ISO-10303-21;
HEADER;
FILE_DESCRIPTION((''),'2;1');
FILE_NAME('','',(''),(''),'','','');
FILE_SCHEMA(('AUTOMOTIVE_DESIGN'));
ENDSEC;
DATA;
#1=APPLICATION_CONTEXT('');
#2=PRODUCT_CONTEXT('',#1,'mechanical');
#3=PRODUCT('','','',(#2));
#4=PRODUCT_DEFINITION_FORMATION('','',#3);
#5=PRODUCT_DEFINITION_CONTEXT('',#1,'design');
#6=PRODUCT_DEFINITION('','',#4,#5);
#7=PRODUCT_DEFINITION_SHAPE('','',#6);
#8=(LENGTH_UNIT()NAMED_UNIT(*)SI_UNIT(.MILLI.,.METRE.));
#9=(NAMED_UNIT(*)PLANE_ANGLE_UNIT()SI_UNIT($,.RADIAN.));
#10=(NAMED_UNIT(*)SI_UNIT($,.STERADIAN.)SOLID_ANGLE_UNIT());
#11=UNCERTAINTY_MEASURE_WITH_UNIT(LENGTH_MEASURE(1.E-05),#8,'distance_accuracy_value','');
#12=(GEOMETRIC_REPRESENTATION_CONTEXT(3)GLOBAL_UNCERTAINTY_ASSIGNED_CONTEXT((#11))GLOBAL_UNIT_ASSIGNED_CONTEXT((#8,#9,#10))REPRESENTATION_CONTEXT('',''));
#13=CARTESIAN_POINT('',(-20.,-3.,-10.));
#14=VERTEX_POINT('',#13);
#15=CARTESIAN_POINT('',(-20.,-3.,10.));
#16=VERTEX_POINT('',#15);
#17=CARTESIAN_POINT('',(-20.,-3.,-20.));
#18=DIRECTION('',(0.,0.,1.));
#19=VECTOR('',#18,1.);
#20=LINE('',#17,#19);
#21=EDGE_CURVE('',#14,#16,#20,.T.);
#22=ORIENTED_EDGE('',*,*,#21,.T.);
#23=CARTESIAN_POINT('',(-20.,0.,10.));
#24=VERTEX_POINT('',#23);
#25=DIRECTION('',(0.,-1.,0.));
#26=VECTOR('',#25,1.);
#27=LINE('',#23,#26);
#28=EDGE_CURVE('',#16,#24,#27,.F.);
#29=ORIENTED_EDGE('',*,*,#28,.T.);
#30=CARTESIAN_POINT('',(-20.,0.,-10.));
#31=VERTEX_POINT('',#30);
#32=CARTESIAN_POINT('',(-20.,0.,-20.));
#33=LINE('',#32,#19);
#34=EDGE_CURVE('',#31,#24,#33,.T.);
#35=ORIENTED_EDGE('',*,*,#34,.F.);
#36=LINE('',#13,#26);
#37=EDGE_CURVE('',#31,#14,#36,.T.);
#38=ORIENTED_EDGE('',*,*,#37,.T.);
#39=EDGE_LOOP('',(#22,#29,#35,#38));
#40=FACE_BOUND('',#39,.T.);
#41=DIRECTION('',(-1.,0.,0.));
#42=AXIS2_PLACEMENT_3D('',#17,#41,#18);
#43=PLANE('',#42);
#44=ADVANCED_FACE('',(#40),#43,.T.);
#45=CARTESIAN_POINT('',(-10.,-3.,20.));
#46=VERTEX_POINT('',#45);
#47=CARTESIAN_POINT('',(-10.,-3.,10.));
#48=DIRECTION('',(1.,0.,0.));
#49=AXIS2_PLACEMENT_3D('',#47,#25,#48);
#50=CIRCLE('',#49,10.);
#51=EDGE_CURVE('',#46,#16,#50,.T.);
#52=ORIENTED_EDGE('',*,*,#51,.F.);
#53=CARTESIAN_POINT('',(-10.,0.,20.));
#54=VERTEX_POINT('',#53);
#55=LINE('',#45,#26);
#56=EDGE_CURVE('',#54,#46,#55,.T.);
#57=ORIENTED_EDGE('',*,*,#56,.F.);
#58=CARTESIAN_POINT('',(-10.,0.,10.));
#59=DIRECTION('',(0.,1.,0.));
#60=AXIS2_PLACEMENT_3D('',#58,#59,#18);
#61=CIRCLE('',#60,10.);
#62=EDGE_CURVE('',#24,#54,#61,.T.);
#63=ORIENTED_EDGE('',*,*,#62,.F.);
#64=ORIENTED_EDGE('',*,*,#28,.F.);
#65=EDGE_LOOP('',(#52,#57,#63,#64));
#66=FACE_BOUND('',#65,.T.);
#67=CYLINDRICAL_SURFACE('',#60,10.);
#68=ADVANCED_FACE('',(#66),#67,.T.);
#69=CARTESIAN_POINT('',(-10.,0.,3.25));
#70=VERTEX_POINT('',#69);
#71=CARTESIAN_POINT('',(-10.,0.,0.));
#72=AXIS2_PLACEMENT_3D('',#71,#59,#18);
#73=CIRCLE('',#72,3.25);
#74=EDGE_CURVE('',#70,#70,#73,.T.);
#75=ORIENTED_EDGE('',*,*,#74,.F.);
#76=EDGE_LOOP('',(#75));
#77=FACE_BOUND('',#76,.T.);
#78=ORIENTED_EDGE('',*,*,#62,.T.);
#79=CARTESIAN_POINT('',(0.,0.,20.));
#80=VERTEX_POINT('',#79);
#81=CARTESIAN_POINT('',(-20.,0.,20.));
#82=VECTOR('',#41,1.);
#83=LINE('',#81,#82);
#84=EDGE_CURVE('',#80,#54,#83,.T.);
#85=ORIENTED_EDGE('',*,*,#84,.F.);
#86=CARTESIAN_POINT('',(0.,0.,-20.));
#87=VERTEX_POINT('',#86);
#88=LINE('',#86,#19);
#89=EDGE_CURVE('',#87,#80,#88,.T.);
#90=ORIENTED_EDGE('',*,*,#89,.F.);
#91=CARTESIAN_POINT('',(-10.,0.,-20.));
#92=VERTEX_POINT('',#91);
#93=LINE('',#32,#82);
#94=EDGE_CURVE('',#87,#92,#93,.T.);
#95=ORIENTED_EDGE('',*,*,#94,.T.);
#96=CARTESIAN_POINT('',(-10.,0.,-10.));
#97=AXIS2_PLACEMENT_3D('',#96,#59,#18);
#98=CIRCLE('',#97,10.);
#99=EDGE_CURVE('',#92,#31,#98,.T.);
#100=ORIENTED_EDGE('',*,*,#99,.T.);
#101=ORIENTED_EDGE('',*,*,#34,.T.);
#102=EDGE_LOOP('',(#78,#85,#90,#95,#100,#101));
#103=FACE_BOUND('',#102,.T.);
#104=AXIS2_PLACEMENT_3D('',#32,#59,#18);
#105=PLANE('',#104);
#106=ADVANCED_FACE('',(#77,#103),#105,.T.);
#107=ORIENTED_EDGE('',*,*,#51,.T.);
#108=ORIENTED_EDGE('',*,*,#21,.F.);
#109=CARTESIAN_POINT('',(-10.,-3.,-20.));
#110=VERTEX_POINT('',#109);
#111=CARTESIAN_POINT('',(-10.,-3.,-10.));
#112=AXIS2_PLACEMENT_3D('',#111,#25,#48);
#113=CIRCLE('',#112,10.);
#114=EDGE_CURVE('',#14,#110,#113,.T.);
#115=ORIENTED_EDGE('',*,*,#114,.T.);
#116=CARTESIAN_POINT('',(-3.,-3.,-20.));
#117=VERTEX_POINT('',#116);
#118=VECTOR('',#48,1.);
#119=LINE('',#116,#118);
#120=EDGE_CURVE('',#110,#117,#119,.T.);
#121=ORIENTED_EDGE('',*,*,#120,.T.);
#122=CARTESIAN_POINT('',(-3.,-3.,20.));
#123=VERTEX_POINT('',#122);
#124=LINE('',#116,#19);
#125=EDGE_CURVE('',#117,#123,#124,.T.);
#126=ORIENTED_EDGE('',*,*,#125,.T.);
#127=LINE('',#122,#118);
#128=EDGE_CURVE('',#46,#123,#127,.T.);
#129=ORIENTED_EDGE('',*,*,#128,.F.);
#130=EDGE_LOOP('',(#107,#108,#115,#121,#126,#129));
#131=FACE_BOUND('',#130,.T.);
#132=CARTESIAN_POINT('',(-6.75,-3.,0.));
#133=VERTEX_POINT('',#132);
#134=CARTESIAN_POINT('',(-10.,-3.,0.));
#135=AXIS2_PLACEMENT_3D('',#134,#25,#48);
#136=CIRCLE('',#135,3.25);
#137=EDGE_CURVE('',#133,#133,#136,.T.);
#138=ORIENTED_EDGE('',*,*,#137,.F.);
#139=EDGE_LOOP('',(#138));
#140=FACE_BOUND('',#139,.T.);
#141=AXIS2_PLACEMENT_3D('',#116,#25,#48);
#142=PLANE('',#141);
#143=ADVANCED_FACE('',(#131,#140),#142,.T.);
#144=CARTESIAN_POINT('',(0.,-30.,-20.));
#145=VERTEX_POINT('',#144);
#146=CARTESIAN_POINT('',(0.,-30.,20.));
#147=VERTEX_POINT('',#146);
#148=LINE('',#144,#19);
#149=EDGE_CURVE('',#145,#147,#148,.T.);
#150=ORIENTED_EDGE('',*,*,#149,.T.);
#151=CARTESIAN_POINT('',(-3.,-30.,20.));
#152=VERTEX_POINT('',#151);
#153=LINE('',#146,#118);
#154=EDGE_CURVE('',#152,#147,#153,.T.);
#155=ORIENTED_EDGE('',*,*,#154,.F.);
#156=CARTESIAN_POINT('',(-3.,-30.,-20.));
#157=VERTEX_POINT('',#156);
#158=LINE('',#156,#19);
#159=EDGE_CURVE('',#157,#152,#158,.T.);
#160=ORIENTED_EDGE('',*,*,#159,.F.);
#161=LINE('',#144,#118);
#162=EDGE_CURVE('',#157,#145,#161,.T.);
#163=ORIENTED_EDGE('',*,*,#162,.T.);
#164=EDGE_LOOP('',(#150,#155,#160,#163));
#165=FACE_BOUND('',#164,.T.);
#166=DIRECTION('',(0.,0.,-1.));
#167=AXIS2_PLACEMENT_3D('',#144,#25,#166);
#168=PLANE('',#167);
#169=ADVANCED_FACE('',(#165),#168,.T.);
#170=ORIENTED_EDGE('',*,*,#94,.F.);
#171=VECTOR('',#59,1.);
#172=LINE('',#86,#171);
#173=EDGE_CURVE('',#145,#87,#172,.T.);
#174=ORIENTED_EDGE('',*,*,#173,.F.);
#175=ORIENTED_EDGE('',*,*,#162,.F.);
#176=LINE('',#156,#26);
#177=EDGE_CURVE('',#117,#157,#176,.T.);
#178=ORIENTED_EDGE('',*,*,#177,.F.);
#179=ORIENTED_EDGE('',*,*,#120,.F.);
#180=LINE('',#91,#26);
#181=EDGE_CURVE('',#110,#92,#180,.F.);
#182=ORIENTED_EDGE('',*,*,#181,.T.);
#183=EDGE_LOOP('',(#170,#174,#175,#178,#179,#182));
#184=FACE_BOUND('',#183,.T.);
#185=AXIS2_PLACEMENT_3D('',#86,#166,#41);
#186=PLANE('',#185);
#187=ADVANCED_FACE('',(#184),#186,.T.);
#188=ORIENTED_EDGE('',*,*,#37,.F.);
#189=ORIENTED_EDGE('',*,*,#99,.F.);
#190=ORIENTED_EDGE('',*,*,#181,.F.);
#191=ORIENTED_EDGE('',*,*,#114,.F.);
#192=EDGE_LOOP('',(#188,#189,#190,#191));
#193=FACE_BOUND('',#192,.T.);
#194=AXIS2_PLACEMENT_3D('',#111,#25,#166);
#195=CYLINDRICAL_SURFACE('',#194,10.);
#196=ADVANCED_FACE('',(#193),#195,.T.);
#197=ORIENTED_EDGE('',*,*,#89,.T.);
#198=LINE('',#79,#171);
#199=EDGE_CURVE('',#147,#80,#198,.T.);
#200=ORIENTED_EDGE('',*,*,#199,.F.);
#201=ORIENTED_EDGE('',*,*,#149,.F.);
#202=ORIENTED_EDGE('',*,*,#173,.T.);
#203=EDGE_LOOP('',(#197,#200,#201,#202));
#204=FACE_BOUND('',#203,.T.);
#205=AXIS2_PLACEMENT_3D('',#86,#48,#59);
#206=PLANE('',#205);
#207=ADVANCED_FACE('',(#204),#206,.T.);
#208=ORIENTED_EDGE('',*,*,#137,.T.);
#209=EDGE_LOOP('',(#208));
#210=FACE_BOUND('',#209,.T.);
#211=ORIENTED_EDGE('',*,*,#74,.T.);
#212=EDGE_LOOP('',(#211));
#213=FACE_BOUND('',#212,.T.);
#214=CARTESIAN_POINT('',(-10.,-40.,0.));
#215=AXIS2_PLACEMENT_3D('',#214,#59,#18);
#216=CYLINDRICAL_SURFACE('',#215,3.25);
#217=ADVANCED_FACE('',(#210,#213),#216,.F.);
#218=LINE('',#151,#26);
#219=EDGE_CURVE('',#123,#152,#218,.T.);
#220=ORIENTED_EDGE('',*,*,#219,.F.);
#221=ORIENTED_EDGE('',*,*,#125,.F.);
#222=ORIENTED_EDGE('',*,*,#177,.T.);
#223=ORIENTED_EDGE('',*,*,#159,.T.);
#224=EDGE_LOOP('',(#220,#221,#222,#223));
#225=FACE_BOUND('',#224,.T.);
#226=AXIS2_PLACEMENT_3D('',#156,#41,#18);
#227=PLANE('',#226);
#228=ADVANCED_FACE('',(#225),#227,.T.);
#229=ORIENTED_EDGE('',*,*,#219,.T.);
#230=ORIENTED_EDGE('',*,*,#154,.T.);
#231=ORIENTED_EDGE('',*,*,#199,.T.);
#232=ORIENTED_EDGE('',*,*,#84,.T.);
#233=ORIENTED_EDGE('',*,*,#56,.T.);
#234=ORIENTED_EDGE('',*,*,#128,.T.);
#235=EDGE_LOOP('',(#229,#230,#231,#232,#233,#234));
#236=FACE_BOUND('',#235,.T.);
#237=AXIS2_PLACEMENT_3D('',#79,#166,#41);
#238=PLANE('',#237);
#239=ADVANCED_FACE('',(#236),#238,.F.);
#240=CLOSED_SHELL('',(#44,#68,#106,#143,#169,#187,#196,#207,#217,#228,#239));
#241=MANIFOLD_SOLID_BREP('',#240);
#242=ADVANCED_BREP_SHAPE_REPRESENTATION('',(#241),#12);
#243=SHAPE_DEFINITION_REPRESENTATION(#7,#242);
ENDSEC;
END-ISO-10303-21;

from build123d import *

# Parameters (mm, degrees)
EXTRUDE_1_DEPTH      = 20
EXTRUDE_1_DEPTH_BACK = 20
SKETCH_2_R           = 3.25
CUT_EXTRUDE_1_DEPTH  = 40
FILLET_1_R           = 10


with BuildPart() as part:
    # ｽｹｯﾁ1 → ﾎﾞｽ - 押し出し1 (new, two sides: drawn at the far end of the back side and taken through both)
    with BuildSketch(Plane.XY.offset(-EXTRUDE_1_DEPTH_BACK)):
        Polygon((-20, 0), (0, 0), (0, -30), (-3, -30), (-3, -3), (-20, -3), align=None)
    extrude(amount=EXTRUDE_1_DEPTH + EXTRUDE_1_DEPTH_BACK)

    # ｽｹｯﾁ2 → ｶｯﾄ - 押し出し1 (cut)
    with BuildSketch(Plane(origin=(0, 0, 0), x_dir=(1, 0, 0), z_dir=(0, 1, 0))):
        with Locations((-10, 0)):
            Circle(SKETCH_2_R)
    extrude(amount=-CUT_EXTRUDE_1_DEPTH, mode=Mode.SUBTRACT)

    # ﾌｨﾚｯﾄ1
    fillet_1_edges = [part.edges().sort_by_distance(p)[0] for p in [
        (-20, -1.5, -20),
        (-20, -1.5, 20),
    ]]
    fillet(fillet_1_edges, radius=FILLET_1_R)


solid = part.part
